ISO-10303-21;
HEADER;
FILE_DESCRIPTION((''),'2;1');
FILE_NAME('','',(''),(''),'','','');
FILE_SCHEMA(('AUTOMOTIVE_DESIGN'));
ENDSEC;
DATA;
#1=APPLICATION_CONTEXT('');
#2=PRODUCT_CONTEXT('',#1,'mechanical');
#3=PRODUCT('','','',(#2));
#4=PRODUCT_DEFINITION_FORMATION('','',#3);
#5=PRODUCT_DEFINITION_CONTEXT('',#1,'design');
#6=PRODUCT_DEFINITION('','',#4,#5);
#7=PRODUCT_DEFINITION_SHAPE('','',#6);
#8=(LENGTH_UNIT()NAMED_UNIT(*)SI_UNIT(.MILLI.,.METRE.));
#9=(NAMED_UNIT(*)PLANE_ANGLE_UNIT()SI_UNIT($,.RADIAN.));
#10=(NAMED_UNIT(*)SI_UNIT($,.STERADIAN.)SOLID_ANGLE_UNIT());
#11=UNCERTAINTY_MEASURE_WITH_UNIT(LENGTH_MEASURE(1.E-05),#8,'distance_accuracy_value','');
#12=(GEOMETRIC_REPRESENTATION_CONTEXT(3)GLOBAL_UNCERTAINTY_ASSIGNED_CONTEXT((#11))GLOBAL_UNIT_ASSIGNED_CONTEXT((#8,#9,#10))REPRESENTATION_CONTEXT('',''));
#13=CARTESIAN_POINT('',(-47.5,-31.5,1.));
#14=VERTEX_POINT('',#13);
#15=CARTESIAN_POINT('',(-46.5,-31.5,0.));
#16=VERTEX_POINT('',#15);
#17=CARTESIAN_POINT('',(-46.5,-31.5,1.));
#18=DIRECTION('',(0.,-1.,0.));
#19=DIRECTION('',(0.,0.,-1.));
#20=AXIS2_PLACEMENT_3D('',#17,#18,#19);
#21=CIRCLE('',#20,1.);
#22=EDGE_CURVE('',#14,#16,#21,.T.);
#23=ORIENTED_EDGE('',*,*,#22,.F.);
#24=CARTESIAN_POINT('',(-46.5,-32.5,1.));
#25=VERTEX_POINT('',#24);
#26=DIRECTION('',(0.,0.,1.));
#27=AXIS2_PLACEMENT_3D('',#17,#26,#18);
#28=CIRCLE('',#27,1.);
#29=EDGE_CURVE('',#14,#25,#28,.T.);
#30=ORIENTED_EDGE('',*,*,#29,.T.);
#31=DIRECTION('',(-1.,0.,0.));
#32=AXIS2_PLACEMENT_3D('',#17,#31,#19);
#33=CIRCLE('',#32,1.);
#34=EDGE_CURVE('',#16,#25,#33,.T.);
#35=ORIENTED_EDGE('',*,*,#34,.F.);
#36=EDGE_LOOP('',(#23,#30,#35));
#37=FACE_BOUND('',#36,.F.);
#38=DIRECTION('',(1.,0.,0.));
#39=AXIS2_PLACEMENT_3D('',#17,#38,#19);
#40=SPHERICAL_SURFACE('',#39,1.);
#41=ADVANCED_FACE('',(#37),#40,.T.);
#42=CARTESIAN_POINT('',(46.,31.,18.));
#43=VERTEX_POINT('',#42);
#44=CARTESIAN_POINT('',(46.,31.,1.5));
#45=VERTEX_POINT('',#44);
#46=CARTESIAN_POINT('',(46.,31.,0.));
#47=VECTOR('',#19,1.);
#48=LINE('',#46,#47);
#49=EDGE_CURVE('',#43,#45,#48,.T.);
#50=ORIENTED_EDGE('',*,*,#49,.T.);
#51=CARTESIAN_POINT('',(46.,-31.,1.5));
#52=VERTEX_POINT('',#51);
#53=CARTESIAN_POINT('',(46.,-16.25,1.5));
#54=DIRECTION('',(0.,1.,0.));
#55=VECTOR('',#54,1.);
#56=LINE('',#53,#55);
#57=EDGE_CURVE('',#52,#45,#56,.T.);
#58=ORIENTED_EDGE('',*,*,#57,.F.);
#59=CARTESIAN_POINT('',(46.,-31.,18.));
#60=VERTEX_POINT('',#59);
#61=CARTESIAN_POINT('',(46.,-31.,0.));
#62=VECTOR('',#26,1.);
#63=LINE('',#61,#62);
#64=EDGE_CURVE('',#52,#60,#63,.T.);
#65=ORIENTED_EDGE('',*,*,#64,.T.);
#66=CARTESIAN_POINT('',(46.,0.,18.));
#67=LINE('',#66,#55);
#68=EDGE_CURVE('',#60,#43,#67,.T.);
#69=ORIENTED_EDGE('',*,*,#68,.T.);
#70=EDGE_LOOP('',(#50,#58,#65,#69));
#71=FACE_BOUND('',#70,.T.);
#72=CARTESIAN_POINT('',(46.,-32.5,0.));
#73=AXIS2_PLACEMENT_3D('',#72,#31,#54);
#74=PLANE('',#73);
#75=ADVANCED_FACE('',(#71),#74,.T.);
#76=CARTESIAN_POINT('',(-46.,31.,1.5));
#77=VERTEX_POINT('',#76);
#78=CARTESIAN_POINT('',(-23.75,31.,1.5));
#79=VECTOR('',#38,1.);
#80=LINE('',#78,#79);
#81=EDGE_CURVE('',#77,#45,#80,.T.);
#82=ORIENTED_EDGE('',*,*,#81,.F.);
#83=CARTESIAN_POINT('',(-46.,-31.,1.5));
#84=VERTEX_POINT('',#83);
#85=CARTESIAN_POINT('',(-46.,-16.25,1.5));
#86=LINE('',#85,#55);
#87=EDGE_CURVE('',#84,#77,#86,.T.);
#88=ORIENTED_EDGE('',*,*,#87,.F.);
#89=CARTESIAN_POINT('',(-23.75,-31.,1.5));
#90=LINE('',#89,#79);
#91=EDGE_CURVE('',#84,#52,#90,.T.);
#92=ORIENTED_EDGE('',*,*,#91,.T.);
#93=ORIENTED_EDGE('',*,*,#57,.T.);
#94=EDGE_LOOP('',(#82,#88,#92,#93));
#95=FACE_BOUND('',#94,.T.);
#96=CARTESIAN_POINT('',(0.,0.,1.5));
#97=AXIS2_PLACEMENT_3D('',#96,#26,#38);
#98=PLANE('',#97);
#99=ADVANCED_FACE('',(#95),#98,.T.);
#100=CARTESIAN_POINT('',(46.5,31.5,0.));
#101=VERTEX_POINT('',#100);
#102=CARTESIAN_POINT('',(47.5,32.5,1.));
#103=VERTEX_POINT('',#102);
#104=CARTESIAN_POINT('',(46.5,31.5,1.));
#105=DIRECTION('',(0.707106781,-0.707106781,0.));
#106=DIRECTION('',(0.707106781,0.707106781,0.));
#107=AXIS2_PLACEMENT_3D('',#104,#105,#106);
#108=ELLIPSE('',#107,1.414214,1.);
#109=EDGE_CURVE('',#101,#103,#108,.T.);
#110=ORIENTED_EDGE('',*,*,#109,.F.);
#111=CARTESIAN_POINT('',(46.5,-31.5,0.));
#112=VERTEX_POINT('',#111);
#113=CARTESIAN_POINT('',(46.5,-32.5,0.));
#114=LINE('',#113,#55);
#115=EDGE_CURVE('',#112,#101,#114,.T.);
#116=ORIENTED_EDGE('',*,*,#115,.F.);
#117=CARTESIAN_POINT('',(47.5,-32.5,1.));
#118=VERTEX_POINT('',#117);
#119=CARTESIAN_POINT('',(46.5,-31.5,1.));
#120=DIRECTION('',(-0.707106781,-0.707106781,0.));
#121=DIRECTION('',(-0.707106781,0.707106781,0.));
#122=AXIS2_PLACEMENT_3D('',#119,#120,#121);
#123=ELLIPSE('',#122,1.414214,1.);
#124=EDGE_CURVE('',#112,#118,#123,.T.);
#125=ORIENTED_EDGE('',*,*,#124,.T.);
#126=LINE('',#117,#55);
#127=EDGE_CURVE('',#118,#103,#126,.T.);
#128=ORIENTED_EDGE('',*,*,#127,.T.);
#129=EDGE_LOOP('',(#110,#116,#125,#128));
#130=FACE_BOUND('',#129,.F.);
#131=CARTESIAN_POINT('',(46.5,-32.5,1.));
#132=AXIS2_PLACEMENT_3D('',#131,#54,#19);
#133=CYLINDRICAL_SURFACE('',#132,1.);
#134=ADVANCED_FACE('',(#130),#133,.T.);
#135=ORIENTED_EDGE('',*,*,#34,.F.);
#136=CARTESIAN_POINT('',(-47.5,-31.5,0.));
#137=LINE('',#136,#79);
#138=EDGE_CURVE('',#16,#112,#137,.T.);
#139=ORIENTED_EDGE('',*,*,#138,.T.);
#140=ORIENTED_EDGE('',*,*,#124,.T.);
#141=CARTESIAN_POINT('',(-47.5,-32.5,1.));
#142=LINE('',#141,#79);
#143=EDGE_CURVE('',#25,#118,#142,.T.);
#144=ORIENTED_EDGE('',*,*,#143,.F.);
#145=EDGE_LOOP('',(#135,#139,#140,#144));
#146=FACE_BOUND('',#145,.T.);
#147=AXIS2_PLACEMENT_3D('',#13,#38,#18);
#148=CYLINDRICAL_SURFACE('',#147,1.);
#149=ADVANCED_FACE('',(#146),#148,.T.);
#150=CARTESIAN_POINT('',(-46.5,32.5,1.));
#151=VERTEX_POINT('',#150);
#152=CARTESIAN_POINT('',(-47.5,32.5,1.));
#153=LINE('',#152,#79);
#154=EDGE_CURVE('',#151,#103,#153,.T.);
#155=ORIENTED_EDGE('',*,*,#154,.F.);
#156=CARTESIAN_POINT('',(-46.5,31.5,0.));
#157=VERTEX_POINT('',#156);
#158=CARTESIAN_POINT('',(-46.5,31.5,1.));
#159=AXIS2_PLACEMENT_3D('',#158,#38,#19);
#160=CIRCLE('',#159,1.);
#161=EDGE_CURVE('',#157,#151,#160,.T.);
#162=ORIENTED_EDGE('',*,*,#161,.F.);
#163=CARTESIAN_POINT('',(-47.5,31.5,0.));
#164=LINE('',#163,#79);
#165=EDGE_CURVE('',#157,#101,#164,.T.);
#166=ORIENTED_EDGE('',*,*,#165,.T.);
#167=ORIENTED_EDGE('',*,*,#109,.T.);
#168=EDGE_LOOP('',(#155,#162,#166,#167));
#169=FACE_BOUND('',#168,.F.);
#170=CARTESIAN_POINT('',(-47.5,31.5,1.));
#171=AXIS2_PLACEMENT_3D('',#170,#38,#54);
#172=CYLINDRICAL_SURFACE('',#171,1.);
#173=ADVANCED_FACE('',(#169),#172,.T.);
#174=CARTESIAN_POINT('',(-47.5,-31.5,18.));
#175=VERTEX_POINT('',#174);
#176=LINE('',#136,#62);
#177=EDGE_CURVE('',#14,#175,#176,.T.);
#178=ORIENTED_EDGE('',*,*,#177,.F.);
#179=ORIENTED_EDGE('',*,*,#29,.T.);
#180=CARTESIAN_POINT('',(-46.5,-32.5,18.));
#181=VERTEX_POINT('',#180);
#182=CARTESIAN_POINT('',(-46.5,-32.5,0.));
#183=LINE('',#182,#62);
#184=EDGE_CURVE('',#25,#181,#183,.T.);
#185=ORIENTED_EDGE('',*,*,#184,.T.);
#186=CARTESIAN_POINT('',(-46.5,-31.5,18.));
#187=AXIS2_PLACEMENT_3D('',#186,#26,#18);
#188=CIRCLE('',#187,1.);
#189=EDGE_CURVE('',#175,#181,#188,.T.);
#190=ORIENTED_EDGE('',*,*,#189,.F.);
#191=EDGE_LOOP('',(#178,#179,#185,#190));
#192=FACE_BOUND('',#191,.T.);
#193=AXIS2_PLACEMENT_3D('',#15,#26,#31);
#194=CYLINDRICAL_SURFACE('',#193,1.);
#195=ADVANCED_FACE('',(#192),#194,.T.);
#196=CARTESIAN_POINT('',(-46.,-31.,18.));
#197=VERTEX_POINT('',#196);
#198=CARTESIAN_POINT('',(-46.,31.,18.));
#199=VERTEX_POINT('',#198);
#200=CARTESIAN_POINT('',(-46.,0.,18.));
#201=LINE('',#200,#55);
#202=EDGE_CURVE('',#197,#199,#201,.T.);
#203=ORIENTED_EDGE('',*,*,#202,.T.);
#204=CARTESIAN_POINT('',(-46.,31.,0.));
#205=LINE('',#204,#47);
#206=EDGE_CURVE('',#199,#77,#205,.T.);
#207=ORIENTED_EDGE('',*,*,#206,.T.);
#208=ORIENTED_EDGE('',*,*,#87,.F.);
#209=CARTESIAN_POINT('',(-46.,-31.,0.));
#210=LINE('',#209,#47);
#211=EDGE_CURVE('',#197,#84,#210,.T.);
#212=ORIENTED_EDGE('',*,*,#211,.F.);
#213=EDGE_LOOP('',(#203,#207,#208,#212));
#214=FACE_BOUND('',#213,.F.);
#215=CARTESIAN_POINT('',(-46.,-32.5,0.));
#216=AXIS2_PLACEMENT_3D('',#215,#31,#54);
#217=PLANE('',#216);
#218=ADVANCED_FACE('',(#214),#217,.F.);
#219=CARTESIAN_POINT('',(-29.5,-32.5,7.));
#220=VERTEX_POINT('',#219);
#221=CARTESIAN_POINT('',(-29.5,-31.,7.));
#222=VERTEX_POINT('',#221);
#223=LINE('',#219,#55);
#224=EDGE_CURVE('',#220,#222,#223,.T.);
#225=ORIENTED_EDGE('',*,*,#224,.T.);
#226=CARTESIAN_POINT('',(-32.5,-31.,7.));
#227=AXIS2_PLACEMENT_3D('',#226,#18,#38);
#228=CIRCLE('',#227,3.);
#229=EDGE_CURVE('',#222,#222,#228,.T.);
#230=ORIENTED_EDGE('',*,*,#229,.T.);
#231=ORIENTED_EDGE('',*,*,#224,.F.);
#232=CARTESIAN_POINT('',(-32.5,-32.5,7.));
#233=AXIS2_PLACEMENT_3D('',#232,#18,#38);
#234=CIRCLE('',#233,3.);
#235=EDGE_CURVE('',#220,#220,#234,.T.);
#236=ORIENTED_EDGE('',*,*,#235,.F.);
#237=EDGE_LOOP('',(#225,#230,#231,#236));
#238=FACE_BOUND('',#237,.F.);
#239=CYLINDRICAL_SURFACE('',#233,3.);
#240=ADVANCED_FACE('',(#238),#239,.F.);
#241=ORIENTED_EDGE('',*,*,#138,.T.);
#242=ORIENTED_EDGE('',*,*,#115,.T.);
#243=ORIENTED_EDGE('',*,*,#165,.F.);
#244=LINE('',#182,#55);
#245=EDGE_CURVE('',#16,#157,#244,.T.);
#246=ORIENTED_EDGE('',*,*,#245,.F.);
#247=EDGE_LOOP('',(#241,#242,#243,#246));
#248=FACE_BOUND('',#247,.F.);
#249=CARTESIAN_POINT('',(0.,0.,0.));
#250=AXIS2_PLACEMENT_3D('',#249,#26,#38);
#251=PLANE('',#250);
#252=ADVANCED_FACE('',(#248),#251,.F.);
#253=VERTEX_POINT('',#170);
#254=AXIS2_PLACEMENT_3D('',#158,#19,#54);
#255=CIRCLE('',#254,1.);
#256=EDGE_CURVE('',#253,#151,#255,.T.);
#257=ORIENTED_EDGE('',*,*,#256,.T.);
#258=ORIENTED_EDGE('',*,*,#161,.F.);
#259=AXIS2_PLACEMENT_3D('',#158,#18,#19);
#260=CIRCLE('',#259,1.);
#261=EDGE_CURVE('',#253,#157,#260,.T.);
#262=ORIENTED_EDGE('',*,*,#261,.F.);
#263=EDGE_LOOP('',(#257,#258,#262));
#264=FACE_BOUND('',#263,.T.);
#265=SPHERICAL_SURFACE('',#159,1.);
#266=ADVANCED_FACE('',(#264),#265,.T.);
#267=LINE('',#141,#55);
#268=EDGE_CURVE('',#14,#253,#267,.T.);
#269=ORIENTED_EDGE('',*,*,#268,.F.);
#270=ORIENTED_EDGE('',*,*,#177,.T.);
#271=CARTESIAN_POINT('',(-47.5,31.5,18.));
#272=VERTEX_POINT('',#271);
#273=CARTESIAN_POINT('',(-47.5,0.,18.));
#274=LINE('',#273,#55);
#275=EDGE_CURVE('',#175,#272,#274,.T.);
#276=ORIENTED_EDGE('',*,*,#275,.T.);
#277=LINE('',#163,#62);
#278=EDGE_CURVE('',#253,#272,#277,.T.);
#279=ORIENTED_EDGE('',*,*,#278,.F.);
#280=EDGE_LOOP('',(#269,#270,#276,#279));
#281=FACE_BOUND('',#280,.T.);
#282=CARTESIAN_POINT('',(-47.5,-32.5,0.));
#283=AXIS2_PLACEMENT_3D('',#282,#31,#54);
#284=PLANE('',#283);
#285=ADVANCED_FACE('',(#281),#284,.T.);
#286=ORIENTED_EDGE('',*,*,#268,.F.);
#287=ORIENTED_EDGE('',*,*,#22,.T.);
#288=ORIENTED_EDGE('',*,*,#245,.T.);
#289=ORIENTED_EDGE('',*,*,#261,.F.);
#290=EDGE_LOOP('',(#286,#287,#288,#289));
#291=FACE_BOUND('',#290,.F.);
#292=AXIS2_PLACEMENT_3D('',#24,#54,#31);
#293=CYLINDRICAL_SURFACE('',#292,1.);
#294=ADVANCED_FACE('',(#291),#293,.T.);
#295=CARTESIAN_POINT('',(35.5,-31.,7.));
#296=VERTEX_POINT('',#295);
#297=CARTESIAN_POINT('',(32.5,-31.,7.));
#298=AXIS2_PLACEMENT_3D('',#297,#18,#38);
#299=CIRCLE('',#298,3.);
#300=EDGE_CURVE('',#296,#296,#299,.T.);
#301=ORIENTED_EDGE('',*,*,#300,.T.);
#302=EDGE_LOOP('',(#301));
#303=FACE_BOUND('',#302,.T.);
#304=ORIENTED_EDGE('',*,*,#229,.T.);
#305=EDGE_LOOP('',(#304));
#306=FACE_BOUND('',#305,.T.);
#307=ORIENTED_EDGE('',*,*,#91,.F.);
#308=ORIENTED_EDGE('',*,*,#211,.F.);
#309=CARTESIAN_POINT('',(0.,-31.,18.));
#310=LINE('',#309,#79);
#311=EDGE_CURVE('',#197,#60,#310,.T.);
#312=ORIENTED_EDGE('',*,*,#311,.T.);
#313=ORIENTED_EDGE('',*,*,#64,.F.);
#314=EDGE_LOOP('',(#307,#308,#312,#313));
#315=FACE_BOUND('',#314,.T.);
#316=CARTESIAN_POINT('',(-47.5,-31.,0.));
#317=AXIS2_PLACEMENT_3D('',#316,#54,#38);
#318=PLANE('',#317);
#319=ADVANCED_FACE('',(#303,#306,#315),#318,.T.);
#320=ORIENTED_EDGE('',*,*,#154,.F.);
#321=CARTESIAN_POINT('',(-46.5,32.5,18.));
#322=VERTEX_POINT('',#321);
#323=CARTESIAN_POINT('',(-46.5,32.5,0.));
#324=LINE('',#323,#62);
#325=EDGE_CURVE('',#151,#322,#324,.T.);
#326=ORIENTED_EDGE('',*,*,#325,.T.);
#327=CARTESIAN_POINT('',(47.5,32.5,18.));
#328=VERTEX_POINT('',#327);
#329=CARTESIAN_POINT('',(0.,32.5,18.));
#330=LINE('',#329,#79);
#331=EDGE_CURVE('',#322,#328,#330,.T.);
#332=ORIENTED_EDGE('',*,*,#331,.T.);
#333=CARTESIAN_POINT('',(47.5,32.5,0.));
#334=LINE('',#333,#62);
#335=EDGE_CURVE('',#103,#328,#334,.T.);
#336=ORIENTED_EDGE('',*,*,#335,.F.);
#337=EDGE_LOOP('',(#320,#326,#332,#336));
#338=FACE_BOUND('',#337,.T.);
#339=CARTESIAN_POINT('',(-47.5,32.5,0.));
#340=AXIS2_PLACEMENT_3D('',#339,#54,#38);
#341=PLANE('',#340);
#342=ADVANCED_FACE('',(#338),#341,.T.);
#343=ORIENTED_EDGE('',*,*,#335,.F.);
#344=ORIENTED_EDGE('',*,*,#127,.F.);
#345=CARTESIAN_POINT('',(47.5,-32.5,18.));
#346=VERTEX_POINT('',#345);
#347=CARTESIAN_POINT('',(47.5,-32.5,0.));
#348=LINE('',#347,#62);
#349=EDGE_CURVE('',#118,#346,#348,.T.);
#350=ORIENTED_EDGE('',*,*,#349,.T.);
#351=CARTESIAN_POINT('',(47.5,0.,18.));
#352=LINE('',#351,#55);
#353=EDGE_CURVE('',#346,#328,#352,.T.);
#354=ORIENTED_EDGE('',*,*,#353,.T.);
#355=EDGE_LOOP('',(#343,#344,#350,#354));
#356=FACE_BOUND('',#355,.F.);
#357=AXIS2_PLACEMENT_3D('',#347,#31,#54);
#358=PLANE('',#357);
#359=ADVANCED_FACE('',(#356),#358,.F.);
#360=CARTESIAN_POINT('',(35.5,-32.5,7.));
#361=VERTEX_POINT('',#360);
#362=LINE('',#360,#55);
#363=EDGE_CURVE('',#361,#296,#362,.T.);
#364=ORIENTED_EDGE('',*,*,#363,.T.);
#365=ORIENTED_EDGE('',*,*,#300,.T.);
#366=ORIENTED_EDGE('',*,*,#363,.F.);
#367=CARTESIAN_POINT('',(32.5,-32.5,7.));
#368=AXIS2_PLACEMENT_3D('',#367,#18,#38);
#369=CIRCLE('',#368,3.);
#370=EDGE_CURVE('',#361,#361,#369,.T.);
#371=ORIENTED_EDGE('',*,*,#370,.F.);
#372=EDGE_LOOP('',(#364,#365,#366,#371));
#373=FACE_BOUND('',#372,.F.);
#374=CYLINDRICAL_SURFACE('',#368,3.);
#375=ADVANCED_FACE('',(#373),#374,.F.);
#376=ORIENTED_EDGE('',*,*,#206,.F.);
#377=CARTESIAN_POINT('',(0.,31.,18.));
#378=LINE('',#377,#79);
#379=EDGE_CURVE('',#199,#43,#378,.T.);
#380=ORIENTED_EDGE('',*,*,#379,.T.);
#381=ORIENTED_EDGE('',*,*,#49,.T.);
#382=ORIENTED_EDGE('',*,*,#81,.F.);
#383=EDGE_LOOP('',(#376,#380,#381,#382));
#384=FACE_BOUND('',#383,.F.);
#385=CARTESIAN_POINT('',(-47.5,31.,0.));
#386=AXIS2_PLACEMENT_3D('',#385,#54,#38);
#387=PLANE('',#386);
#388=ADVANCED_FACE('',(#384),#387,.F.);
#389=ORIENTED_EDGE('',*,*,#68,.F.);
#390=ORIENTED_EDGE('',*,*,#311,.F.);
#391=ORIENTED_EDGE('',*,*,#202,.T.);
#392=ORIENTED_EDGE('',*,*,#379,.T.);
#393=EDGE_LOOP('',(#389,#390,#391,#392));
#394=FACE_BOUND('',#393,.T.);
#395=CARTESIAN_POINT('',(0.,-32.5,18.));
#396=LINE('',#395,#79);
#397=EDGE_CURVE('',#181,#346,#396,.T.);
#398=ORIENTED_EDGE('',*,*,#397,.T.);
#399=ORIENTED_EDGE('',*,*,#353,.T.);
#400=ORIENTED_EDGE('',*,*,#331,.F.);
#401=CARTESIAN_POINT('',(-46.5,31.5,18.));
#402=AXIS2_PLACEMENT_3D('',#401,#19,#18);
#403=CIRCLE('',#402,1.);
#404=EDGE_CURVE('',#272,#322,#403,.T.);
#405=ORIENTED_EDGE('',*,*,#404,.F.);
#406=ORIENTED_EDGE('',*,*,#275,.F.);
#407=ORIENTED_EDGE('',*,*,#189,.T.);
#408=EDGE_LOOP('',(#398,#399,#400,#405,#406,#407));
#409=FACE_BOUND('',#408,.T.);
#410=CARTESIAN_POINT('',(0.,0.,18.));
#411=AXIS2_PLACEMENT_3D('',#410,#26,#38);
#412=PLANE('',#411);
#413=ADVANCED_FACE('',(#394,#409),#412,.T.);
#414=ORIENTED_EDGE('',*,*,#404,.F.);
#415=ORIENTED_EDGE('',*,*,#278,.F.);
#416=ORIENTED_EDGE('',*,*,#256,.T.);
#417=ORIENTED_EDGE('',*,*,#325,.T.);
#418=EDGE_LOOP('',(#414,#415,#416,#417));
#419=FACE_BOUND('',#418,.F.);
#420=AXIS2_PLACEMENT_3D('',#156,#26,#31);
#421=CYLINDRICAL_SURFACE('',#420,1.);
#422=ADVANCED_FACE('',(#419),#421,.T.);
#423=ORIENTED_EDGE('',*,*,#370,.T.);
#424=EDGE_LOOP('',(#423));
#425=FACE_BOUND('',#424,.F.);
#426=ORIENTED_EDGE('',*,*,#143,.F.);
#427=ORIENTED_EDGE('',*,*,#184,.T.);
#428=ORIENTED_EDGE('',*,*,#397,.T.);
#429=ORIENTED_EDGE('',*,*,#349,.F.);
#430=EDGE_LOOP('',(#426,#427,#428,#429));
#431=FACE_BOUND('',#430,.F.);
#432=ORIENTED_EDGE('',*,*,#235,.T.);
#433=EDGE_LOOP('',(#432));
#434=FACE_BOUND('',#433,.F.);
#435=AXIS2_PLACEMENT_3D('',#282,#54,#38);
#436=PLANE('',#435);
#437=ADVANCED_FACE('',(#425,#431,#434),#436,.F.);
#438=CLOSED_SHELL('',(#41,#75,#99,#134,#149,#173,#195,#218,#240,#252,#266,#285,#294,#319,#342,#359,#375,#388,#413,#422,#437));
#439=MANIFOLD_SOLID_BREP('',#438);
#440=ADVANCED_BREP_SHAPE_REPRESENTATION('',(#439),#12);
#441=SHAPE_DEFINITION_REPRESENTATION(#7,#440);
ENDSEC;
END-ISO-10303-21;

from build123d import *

# Parameters (mm, degrees)
F0_W     = 95
F0_H     = 65
F1_DEPTH = 18
F2_T     = -1.5
F3_R     = 3
F4_DEPTH = 10
F5_R     = 1


with BuildPart() as f1:
    # F0 (on Top) → F1 (new body)
    with BuildSketch(Plane.XY):
        Rectangle(F0_W, F0_H)
    extrude(amount=F1_DEPTH)

    # F2
    f2_openings = [f1.faces().sort_by_distance(p)[0] for p in [
        (0, 0, 18),
    ]]
    offset(amount=F2_T, openings=f2_openings)

    # F3 (on face) → F4 (cut)
    with BuildSketch(Plane.XZ.offset(32.5)):
        with Locations((-32.5, 7)):
            Circle(F3_R)
        with Locations((32.5, 7)):
            Circle(F3_R)
    extrude(amount=-F4_DEPTH, mode=Mode.SUBTRACT)

    # F5
    f5_edges = [f1.edges().sort_by_distance(p)[0] for p in [
        (47.5, 0, 0),
        (0, 32.5, 0),
        (0, -32.5, 0),
        (-47.5, 0, 0),
        (-47.5, -32.5, 9),
        (-47.5, 32.5, 9),
    ]]
    fillet(f5_edges, radius=F5_R)


solid = f1.part
